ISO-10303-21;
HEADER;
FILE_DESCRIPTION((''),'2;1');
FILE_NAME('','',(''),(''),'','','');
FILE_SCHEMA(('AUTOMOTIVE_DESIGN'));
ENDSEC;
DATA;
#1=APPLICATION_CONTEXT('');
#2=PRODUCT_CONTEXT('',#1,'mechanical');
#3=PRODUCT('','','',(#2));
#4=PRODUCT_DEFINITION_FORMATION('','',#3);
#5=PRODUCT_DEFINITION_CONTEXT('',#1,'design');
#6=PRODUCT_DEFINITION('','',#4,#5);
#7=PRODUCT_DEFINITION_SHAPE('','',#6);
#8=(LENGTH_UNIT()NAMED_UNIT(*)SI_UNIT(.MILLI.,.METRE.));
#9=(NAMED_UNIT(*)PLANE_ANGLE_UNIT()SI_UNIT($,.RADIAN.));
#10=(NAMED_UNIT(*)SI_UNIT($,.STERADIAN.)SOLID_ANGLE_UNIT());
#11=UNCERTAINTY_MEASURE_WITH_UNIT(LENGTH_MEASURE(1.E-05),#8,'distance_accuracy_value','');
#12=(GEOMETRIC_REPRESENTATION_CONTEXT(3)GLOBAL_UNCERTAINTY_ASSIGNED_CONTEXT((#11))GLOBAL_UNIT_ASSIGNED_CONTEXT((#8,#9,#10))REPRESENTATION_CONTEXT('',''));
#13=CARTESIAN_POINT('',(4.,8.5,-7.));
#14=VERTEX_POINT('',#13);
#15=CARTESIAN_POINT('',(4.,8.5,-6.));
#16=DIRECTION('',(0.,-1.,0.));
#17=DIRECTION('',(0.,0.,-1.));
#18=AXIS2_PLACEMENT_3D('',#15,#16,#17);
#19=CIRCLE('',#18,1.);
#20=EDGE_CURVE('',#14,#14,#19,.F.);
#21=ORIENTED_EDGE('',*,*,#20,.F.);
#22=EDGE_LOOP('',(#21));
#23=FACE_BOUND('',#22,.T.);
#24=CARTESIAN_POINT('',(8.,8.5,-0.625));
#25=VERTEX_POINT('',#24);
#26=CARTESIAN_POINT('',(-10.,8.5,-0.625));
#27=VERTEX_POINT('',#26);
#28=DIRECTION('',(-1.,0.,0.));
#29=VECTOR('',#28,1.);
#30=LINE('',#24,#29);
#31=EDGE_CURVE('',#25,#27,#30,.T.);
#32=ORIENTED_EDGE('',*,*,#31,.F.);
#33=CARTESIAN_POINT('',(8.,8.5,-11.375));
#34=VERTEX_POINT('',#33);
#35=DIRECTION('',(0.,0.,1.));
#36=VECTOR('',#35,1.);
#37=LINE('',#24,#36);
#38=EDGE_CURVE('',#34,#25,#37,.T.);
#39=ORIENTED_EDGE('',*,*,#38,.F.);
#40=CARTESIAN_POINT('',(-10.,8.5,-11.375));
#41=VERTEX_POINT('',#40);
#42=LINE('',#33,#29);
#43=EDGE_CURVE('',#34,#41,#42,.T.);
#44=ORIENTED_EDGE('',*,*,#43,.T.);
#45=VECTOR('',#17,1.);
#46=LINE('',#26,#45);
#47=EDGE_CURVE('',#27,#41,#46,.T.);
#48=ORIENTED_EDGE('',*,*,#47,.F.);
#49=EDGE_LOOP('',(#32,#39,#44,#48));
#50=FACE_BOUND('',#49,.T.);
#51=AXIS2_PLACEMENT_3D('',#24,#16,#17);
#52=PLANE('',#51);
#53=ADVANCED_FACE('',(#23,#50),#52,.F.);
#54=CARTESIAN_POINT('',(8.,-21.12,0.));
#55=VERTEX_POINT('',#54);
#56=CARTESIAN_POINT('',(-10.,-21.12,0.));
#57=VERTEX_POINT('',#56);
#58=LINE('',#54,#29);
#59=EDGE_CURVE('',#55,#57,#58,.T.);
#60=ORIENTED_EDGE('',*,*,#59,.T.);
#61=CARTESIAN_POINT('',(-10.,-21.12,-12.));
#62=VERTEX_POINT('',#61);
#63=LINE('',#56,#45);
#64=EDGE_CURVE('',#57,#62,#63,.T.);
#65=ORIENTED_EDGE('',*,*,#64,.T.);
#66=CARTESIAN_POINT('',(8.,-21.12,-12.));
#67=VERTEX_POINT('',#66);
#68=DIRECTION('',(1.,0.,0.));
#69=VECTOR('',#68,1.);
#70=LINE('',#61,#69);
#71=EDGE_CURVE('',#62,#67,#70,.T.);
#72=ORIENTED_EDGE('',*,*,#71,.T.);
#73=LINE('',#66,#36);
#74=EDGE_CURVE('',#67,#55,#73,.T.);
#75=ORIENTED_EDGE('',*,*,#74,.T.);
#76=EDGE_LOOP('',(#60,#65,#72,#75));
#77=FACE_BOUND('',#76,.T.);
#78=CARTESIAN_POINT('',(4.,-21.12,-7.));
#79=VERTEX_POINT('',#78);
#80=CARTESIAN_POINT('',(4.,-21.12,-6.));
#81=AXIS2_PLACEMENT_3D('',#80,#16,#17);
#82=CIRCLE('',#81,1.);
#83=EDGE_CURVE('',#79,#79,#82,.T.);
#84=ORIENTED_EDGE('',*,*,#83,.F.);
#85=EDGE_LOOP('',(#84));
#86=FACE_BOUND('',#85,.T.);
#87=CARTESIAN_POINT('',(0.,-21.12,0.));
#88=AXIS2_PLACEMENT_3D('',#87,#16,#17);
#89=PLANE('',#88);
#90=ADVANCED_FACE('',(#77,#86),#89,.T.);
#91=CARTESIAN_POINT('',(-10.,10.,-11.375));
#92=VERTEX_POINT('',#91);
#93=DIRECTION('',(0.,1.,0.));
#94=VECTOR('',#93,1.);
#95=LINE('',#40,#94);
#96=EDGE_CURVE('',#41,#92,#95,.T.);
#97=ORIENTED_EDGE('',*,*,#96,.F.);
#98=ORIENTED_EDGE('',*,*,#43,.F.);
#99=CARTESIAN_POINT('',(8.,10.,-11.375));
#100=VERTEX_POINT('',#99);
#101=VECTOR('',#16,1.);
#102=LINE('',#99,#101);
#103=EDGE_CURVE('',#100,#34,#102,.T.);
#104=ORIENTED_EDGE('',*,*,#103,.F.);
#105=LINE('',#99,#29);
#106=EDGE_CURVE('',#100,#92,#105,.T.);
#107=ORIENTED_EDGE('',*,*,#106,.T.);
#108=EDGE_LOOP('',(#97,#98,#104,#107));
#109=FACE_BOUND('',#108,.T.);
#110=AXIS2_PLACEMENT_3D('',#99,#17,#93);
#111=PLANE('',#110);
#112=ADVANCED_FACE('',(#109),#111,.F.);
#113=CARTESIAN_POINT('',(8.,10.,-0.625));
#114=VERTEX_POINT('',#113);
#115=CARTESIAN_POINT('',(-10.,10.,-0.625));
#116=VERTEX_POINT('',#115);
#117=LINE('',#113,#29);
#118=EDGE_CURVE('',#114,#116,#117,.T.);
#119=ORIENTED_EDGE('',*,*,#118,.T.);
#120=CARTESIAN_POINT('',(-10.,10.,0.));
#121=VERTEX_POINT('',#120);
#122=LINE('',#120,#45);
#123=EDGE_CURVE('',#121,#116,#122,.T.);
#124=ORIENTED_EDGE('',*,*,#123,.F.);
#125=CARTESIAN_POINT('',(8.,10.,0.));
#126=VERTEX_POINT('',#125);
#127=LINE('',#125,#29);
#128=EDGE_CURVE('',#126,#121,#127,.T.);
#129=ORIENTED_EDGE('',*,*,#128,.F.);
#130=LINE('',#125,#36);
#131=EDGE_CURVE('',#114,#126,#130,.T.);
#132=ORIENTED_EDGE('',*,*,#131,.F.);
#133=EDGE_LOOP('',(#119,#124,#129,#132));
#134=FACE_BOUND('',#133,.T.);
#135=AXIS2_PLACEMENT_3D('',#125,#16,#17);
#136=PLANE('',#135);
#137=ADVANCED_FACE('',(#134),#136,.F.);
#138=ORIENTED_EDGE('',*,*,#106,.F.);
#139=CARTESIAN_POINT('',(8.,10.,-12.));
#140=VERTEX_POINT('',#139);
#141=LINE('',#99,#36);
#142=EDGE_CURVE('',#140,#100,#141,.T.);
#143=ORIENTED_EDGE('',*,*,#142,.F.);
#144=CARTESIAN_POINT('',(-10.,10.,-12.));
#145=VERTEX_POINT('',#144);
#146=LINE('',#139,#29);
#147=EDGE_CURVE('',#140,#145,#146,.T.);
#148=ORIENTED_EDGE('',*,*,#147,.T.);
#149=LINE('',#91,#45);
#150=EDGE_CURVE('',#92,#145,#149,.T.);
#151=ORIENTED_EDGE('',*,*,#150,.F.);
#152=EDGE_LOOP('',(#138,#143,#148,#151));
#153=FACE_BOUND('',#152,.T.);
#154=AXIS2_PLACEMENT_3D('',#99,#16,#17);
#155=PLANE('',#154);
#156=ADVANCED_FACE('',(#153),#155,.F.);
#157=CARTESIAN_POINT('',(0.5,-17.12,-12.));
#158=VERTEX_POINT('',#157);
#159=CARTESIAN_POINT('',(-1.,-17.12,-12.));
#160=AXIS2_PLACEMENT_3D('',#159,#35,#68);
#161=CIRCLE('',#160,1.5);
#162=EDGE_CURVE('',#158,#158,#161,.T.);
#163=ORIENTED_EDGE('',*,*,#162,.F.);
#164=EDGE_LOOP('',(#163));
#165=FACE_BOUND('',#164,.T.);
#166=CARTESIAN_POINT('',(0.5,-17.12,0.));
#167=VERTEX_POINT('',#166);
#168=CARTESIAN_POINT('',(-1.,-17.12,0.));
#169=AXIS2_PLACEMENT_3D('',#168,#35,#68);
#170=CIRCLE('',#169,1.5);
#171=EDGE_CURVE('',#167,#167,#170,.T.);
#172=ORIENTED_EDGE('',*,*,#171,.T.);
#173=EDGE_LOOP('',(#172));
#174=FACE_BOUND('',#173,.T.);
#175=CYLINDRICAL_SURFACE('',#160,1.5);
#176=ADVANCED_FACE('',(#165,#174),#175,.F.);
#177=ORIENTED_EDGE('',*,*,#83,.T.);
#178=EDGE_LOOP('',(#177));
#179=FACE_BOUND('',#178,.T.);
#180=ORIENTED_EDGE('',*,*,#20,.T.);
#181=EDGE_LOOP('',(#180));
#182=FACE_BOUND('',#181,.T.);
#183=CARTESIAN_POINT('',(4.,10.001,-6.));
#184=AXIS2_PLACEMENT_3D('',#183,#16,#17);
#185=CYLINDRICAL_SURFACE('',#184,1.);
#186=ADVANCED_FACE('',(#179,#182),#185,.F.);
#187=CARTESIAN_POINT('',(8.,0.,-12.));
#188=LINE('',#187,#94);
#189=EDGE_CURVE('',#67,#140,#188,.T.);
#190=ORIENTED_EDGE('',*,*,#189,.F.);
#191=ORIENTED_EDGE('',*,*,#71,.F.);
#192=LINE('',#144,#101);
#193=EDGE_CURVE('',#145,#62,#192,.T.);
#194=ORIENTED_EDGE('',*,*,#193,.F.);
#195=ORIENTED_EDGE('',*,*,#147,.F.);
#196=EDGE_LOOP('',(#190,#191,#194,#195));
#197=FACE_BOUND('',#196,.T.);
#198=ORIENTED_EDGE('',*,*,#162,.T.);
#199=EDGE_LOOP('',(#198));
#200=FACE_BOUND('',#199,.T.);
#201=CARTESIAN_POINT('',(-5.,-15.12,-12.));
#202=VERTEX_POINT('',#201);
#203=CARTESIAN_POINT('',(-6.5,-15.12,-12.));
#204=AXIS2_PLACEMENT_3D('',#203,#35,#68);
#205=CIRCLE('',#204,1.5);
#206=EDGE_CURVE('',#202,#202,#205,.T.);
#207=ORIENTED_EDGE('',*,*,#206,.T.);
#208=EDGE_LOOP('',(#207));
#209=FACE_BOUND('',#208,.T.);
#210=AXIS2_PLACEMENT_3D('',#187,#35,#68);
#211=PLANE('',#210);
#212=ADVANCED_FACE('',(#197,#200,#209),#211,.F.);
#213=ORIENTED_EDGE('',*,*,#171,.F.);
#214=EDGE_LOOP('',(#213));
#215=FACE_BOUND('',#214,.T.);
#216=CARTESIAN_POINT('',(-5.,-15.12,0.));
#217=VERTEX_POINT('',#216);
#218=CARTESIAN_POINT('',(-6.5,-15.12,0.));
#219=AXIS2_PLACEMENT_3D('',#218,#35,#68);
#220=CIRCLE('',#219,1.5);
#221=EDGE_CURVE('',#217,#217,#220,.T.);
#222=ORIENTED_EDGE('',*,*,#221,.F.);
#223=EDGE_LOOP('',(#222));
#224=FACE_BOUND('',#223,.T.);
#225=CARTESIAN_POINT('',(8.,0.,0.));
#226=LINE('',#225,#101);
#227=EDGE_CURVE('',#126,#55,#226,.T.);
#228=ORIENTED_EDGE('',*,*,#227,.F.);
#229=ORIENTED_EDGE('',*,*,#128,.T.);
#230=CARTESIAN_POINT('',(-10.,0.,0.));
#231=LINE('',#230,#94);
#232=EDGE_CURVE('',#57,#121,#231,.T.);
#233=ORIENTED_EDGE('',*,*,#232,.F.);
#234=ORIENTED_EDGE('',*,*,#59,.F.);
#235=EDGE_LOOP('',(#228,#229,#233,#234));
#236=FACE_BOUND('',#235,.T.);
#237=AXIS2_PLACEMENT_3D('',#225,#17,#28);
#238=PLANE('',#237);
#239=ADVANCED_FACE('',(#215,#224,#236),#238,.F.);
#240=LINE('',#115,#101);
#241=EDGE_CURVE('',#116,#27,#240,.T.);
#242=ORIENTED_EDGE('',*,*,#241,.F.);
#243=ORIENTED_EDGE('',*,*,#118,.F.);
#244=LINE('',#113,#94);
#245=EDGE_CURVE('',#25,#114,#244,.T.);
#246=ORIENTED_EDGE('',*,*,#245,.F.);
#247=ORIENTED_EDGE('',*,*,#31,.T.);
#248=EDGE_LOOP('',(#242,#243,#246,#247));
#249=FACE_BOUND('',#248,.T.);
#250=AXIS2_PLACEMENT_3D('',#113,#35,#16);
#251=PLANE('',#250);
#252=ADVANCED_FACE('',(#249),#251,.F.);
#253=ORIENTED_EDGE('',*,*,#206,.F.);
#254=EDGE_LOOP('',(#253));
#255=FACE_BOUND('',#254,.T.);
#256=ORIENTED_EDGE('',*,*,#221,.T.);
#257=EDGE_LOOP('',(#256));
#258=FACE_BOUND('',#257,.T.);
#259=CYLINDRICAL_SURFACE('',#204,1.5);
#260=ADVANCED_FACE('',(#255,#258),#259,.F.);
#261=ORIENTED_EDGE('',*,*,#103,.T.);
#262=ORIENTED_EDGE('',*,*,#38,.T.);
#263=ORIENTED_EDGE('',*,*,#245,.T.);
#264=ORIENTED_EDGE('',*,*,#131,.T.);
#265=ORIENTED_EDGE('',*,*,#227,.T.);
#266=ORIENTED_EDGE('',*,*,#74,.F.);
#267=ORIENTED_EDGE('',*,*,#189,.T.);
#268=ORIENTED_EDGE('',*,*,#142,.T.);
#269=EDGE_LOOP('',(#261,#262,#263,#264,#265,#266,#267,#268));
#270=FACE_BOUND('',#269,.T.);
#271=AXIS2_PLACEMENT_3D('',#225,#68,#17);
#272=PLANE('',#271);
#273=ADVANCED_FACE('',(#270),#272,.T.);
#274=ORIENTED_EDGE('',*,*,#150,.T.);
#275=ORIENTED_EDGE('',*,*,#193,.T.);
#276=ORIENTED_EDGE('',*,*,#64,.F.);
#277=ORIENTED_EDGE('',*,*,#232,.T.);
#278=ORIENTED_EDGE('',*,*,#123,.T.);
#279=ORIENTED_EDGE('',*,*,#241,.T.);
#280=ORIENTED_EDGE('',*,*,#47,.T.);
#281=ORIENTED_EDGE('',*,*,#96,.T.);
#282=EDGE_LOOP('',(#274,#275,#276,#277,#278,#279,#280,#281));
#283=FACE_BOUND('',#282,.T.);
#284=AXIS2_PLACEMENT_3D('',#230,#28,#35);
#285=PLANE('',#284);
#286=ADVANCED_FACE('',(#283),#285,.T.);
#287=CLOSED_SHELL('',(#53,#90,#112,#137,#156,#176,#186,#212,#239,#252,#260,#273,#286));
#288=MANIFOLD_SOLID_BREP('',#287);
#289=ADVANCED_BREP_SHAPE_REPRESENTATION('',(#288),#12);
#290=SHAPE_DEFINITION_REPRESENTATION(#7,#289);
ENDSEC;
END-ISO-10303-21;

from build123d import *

# Parameters (mm, degrees)
BOSS_EXTRUDE1_DEPTH = 8
CUT_EXTRUDE1_REACH  = 12
SKETCH3_R           = 1
BOSS_EXTRUDE2_DEPTH = 10
SKETCH7_W           = 18
SKETCH7_H           = 12
SKETCH7_R           = 1
BOSS_EXTRUDE3_DEPTH = 21.12
SKETCH11_R          = 1.5
CUT_EXTRUDE4_DEPTH  = 13


with BuildPart() as part:
    # Sketch2 → Boss-Extrude1 (new body)
    with BuildSketch(Plane(origin=(0, 0, 0), x_dir=(0, 0, -1), z_dir=(1, 0, 0))):
        Polygon((0, 0), (0, 10), (0.625, 10), (0.625, 8.5), (11.375, 8.5), (11.375, 10), (12, 10), (12, 0), align=None)
    extrude(amount=BOSS_EXTRUDE1_DEPTH)

    # Sketch3 → Cut-Extrude1 (cut, up to next)
    with BuildSketch(Plane.XZ, mode=Mode.PRIVATE) as cut_extrude1_sk1:
        with Locations((4, -6)):
            Circle(SKETCH3_R)
    cut_extrude1_tool1 = extrude(cut_extrude1_sk1.sketch, amount=-CUT_EXTRUDE1_REACH, mode=Mode.PRIVATE) & part.part
    add(cut_extrude1_tool1.solids().sort_by_distance((4, 0, -6))[0], mode=Mode.SUBTRACT)

    # Sketch6 → Boss-Extrude2 (add)
    with BuildSketch(Plane.ZY):
        Polygon((-12, 0), (0, 0), (0, 10), (-0.625, 10), (-0.625, 8.5), (-11.375, 8.5), (-11.375, 10), (-12, 10), align=None)
    extrude(amount=BOSS_EXTRUDE2_DEPTH)

    # Sketch7 → Boss-Extrude3 (add)
    with BuildSketch(Plane.XZ):
        with Locations((-1, -6)):
            Rectangle(SKETCH7_W, SKETCH7_H)
        with Locations((4, -6)):
            Circle(SKETCH7_R, mode=Mode.SUBTRACT)
    extrude(amount=BOSS_EXTRUDE3_DEPTH)

    # Sketch11 → Cut-Extrude4 (cut, through all)
    with BuildSketch(Plane.XY):
        with Locations((-6.5, -15.12)):
            Circle(SKETCH11_R)
        with Locations((-1, -17.12)):
            Circle(SKETCH11_R)
    extrude(amount=-CUT_EXTRUDE4_DEPTH, mode=Mode.SUBTRACT)


solid = part.part
